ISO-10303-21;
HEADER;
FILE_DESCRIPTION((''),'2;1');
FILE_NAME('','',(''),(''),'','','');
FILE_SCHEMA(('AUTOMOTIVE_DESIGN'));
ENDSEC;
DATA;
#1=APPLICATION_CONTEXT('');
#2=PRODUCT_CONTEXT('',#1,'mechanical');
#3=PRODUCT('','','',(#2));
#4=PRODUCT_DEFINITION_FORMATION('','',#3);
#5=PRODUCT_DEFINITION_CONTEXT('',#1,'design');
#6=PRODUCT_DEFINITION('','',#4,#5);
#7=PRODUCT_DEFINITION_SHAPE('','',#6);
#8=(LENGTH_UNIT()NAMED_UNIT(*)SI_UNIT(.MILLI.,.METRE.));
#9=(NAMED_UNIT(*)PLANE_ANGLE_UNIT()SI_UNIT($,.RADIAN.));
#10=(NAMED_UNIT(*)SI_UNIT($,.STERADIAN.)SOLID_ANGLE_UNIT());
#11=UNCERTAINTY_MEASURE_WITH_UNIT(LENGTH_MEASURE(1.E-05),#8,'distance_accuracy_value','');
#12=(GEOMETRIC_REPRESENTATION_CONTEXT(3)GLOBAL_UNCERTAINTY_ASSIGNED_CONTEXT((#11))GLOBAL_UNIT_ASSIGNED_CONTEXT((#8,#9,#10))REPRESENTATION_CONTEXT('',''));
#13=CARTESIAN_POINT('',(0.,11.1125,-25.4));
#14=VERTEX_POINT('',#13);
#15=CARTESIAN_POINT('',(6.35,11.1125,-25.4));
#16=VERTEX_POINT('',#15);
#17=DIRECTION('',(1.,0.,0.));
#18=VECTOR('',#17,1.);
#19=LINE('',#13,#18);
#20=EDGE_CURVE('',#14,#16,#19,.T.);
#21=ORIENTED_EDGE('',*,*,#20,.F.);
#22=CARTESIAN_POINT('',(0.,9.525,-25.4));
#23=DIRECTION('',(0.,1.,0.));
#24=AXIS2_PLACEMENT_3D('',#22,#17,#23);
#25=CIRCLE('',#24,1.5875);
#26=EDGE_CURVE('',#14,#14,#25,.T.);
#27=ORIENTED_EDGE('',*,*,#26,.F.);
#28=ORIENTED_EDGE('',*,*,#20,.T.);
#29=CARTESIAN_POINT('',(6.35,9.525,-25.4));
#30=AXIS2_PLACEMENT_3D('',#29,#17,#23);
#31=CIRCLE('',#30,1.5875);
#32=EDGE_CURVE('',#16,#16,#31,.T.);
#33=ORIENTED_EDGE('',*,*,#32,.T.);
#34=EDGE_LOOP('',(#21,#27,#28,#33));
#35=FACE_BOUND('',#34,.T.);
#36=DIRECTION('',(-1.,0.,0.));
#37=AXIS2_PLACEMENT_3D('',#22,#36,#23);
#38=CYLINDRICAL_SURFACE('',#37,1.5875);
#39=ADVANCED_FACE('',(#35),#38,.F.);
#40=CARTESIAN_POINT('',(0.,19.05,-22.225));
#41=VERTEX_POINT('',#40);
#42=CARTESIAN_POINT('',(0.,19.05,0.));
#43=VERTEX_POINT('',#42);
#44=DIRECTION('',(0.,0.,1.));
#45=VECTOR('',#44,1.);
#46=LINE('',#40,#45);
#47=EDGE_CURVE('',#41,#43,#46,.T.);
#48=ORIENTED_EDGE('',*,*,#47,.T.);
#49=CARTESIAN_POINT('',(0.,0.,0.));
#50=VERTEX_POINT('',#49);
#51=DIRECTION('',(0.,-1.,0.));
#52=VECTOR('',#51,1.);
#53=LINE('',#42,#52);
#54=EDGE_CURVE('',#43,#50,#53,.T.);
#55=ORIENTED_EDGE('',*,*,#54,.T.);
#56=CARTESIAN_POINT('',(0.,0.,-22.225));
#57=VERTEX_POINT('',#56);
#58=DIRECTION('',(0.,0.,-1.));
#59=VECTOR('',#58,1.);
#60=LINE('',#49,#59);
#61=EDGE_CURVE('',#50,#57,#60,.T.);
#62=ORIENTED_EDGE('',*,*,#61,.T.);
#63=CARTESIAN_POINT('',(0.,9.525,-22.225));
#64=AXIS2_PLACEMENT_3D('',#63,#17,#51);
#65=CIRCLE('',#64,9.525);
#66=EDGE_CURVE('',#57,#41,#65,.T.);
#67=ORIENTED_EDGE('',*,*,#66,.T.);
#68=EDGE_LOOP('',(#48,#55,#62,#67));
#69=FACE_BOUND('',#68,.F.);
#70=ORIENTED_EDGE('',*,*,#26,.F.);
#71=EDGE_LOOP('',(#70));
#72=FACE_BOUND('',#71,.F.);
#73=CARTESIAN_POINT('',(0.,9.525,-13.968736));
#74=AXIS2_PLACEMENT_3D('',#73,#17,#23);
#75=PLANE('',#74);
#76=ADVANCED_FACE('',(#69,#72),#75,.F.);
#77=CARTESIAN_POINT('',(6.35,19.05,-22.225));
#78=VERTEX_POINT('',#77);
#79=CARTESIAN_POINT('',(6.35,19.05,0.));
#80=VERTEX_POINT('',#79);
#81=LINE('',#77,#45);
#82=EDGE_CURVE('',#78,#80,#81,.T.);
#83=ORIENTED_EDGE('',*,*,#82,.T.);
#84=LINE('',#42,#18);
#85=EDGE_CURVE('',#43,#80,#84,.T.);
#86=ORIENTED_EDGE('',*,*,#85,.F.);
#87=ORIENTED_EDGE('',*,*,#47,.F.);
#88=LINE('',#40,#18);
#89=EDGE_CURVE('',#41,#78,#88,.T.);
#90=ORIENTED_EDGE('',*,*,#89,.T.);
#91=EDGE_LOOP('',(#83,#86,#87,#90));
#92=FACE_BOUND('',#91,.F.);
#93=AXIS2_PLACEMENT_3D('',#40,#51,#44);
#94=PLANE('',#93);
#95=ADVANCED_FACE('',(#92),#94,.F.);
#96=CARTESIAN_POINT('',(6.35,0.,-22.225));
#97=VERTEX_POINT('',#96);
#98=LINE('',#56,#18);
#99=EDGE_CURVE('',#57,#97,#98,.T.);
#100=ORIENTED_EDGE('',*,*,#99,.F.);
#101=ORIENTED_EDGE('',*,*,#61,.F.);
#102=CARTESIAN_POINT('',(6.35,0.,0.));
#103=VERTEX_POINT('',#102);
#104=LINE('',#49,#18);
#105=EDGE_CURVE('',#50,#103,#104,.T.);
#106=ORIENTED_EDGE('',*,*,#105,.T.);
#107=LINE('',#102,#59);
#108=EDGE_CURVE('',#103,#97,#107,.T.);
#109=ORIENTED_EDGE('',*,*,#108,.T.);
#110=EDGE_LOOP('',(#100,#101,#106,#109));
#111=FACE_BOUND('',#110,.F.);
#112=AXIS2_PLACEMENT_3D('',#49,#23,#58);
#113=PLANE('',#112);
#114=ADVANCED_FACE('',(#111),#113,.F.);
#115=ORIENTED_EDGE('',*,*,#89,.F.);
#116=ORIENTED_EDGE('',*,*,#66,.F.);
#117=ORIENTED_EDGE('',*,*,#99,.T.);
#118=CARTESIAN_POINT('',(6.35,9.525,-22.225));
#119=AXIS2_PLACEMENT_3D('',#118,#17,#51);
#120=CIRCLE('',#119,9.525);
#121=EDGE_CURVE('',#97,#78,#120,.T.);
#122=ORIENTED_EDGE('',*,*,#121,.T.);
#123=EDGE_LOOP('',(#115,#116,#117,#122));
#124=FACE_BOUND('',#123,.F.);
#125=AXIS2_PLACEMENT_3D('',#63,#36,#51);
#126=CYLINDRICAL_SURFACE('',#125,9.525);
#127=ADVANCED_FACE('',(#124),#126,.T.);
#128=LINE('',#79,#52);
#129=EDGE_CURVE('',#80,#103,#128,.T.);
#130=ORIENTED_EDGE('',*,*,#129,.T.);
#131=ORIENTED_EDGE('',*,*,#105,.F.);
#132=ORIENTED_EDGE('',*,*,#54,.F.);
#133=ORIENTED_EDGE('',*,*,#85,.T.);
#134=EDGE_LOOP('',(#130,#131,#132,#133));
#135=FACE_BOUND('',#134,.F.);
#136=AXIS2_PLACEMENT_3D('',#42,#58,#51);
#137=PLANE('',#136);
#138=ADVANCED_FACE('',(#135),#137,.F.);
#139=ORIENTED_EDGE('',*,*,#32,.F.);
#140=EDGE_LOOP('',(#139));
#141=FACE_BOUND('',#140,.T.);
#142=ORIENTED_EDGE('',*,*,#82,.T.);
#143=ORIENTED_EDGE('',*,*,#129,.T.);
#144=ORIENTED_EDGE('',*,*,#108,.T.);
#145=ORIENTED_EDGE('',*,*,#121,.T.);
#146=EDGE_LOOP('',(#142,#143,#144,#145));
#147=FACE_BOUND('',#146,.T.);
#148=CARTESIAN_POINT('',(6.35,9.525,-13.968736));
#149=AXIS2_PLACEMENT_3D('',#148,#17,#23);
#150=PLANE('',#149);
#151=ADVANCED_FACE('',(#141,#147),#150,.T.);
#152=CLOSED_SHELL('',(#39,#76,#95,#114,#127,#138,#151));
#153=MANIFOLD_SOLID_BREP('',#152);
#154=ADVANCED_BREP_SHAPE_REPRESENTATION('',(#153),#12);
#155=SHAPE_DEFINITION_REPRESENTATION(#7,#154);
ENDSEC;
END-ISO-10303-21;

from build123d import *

# Parameters (mm, degrees)
F0_R     = 1.5875
F1_DEPTH = 6.35


with BuildPart() as f1:
    # F0 (on Right) → F1 (new body)
    with BuildSketch(Plane.YZ):
        with BuildLine():
            Line((0, 0), (0, -22.225))
            ThreePointArc((0, -22.225), (9.525, -31.75), (19.05, -22.225))
            Line((19.05, -22.225), (19.05, 0))
            Line((19.05, 0), (0, 0))
        make_face()
        with Locations((9.525, -25.4)):
            Circle(F0_R, mode=Mode.SUBTRACT)
    extrude(amount=F1_DEPTH)


solid = f1.part
